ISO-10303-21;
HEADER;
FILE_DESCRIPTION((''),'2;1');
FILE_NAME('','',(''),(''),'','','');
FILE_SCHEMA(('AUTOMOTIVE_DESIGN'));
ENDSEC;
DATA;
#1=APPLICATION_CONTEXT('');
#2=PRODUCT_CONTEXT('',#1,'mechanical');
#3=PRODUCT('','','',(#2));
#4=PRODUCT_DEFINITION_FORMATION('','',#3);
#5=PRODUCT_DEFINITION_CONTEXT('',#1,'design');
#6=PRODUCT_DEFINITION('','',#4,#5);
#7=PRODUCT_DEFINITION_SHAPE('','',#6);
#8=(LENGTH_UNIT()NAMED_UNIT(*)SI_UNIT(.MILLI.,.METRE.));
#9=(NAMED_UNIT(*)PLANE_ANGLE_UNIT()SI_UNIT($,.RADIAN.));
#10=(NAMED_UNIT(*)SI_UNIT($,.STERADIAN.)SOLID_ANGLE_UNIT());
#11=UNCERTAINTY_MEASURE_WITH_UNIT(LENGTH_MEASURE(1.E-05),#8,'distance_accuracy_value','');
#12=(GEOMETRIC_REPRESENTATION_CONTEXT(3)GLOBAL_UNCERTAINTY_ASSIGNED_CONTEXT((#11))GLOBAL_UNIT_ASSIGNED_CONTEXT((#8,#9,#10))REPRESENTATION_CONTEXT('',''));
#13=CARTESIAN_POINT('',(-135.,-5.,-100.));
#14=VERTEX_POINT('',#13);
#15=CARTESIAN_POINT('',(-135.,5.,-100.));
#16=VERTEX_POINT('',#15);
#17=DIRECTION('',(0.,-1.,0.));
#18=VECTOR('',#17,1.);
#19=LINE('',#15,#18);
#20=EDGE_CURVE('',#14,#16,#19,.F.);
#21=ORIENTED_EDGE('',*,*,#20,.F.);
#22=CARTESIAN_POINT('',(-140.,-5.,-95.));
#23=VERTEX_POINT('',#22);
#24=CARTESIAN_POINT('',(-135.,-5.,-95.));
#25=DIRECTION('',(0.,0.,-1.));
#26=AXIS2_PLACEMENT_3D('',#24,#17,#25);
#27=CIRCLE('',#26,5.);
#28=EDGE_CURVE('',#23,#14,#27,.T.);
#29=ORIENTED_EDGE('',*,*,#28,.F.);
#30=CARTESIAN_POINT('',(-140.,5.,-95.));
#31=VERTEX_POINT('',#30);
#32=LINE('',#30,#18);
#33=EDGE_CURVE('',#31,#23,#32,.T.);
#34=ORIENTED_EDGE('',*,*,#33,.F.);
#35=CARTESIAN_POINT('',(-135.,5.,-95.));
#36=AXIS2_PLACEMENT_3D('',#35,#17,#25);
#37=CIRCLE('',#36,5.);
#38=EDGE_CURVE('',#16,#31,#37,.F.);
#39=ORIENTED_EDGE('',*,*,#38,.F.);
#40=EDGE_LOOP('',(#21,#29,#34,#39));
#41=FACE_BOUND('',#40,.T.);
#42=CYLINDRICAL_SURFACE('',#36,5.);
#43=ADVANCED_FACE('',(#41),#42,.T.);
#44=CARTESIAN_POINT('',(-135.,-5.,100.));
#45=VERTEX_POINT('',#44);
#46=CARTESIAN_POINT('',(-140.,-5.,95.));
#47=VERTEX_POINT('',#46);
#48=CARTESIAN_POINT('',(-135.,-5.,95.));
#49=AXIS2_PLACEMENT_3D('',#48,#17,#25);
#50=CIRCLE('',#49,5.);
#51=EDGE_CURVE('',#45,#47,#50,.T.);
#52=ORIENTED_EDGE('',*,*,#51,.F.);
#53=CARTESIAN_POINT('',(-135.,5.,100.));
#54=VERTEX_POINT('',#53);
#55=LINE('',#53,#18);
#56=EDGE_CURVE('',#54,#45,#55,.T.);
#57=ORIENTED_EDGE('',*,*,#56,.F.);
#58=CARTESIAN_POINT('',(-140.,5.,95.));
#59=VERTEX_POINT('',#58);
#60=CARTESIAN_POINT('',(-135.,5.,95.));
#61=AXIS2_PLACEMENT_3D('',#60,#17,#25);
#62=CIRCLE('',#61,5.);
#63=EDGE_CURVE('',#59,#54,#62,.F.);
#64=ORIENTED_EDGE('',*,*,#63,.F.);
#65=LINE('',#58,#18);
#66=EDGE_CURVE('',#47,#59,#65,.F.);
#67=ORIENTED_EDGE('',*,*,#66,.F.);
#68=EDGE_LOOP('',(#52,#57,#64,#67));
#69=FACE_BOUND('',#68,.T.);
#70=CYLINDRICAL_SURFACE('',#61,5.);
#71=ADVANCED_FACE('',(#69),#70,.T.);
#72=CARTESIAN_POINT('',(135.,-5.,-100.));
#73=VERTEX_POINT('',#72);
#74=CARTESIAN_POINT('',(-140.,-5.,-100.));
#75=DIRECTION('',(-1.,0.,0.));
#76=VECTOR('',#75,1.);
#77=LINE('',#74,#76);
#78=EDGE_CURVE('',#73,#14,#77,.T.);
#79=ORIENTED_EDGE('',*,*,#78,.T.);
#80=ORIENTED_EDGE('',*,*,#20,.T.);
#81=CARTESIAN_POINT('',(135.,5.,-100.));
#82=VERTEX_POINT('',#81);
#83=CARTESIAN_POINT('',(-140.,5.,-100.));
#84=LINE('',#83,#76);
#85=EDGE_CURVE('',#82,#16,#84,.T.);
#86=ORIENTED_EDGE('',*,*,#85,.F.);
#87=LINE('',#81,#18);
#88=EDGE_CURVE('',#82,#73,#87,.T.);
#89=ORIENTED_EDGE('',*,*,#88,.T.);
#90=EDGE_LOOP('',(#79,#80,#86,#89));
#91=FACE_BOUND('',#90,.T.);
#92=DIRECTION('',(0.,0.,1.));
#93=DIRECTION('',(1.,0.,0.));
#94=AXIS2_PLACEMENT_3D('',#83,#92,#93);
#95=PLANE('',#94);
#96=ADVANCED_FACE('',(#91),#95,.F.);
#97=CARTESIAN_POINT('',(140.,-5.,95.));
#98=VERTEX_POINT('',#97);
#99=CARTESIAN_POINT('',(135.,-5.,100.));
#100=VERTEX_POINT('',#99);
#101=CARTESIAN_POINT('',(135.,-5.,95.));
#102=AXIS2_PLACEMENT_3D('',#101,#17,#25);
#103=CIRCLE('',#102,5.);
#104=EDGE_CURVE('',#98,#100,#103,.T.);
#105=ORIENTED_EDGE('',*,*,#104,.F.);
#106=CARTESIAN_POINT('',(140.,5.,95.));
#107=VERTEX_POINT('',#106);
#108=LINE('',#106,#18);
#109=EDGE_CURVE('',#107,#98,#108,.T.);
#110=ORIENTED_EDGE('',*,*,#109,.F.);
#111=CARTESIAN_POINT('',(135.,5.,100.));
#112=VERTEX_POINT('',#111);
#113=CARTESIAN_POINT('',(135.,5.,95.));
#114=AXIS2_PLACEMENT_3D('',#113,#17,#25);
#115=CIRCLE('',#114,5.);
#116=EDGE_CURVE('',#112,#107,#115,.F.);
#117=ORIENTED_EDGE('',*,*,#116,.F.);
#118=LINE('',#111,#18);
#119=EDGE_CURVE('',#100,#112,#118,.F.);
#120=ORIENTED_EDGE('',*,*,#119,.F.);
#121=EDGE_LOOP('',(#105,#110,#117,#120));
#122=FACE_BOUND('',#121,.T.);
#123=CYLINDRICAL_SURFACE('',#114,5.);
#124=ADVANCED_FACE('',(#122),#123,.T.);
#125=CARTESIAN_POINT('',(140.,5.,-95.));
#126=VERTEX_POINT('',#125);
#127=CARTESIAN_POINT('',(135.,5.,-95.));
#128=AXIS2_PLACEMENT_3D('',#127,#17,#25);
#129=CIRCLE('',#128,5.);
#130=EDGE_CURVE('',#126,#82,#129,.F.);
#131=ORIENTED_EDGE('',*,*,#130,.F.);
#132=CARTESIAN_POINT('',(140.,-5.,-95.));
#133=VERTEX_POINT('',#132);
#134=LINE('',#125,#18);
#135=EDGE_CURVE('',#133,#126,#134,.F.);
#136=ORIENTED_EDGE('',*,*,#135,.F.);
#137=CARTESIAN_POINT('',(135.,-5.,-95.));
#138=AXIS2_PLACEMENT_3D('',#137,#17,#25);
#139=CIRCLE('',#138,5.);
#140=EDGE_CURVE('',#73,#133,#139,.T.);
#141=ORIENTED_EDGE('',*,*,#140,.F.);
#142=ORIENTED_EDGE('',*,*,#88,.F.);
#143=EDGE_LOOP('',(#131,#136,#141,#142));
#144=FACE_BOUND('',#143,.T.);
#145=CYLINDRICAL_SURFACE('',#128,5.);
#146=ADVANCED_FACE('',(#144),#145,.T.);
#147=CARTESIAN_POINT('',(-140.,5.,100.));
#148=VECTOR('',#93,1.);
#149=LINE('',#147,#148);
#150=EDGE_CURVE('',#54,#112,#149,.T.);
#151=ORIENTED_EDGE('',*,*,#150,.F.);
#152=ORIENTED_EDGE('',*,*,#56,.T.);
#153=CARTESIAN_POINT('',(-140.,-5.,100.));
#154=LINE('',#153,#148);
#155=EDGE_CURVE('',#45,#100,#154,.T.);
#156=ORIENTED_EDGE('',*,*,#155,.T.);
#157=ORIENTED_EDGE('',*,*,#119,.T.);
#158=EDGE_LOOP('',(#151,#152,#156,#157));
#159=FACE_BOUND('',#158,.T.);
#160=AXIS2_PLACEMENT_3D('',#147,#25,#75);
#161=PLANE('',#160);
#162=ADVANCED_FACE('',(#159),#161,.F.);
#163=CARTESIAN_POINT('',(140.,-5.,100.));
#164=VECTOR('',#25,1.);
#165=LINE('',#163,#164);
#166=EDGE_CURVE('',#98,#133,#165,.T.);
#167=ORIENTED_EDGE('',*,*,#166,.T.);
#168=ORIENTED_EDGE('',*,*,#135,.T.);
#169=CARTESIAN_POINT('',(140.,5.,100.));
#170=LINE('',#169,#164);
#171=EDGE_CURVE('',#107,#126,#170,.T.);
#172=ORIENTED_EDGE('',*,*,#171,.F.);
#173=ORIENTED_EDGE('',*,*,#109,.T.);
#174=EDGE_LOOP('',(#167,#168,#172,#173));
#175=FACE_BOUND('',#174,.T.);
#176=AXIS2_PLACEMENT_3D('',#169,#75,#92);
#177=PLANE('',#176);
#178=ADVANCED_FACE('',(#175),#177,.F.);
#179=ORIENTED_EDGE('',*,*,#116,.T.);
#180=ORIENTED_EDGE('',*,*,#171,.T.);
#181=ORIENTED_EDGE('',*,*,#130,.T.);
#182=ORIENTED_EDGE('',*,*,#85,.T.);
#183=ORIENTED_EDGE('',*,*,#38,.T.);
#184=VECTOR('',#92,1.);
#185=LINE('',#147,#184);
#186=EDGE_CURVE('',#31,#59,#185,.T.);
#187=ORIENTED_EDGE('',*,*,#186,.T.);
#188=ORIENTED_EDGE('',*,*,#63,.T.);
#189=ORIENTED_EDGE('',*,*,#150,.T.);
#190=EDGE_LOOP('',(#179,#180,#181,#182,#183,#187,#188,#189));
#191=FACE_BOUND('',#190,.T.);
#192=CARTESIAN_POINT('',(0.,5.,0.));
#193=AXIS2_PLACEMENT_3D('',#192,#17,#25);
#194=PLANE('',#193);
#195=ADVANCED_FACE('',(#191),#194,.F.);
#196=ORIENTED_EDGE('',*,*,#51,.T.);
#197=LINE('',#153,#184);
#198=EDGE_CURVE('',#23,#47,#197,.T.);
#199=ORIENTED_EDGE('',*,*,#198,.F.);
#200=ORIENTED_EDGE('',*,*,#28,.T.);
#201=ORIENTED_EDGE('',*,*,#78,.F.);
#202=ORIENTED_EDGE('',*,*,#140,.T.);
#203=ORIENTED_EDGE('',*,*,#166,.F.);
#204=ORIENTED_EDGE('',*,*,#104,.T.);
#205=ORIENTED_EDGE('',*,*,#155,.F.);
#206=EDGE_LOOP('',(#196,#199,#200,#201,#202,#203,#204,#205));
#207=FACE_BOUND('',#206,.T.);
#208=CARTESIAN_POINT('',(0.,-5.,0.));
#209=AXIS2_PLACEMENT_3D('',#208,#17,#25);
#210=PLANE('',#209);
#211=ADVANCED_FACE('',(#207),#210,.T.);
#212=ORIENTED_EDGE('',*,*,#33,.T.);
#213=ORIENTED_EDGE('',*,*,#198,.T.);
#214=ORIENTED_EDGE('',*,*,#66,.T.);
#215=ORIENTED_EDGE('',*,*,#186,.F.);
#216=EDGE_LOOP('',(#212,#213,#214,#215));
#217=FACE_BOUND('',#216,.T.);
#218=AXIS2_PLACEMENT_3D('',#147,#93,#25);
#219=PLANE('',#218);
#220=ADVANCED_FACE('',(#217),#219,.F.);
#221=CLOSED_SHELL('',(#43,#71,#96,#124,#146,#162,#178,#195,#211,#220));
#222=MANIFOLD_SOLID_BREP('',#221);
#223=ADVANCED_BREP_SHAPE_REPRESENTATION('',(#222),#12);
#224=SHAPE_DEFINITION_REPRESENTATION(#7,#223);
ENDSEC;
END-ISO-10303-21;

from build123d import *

# Parameters (mm, degrees)
SKETCH1_W           = 280
SKETCH1_H           = 200
BOSS_EXTRUDE1_DEPTH = 5
FILLET1_R           = 5


with BuildPart() as part:
    # Sketch1 → Boss-Extrude1 (new, symmetric)
    with BuildSketch(Plane(origin=(0, 0, 0), x_dir=(1, 0, 0), z_dir=(0, 1, 0))):
        Rectangle(SKETCH1_W, SKETCH1_H)
    extrude(amount=BOSS_EXTRUDE1_DEPTH, both=True)

    # Fillet1
    fillet1_edges = [part.edges().sort_by_distance(p)[0] for p in [
        (140, 0, 100),
        (-140, 0, 100),
        (-140, 0, -100),
        (140, 0, -100),
    ]]
    fillet(fillet1_edges, radius=FILLET1_R)


solid = part.part
